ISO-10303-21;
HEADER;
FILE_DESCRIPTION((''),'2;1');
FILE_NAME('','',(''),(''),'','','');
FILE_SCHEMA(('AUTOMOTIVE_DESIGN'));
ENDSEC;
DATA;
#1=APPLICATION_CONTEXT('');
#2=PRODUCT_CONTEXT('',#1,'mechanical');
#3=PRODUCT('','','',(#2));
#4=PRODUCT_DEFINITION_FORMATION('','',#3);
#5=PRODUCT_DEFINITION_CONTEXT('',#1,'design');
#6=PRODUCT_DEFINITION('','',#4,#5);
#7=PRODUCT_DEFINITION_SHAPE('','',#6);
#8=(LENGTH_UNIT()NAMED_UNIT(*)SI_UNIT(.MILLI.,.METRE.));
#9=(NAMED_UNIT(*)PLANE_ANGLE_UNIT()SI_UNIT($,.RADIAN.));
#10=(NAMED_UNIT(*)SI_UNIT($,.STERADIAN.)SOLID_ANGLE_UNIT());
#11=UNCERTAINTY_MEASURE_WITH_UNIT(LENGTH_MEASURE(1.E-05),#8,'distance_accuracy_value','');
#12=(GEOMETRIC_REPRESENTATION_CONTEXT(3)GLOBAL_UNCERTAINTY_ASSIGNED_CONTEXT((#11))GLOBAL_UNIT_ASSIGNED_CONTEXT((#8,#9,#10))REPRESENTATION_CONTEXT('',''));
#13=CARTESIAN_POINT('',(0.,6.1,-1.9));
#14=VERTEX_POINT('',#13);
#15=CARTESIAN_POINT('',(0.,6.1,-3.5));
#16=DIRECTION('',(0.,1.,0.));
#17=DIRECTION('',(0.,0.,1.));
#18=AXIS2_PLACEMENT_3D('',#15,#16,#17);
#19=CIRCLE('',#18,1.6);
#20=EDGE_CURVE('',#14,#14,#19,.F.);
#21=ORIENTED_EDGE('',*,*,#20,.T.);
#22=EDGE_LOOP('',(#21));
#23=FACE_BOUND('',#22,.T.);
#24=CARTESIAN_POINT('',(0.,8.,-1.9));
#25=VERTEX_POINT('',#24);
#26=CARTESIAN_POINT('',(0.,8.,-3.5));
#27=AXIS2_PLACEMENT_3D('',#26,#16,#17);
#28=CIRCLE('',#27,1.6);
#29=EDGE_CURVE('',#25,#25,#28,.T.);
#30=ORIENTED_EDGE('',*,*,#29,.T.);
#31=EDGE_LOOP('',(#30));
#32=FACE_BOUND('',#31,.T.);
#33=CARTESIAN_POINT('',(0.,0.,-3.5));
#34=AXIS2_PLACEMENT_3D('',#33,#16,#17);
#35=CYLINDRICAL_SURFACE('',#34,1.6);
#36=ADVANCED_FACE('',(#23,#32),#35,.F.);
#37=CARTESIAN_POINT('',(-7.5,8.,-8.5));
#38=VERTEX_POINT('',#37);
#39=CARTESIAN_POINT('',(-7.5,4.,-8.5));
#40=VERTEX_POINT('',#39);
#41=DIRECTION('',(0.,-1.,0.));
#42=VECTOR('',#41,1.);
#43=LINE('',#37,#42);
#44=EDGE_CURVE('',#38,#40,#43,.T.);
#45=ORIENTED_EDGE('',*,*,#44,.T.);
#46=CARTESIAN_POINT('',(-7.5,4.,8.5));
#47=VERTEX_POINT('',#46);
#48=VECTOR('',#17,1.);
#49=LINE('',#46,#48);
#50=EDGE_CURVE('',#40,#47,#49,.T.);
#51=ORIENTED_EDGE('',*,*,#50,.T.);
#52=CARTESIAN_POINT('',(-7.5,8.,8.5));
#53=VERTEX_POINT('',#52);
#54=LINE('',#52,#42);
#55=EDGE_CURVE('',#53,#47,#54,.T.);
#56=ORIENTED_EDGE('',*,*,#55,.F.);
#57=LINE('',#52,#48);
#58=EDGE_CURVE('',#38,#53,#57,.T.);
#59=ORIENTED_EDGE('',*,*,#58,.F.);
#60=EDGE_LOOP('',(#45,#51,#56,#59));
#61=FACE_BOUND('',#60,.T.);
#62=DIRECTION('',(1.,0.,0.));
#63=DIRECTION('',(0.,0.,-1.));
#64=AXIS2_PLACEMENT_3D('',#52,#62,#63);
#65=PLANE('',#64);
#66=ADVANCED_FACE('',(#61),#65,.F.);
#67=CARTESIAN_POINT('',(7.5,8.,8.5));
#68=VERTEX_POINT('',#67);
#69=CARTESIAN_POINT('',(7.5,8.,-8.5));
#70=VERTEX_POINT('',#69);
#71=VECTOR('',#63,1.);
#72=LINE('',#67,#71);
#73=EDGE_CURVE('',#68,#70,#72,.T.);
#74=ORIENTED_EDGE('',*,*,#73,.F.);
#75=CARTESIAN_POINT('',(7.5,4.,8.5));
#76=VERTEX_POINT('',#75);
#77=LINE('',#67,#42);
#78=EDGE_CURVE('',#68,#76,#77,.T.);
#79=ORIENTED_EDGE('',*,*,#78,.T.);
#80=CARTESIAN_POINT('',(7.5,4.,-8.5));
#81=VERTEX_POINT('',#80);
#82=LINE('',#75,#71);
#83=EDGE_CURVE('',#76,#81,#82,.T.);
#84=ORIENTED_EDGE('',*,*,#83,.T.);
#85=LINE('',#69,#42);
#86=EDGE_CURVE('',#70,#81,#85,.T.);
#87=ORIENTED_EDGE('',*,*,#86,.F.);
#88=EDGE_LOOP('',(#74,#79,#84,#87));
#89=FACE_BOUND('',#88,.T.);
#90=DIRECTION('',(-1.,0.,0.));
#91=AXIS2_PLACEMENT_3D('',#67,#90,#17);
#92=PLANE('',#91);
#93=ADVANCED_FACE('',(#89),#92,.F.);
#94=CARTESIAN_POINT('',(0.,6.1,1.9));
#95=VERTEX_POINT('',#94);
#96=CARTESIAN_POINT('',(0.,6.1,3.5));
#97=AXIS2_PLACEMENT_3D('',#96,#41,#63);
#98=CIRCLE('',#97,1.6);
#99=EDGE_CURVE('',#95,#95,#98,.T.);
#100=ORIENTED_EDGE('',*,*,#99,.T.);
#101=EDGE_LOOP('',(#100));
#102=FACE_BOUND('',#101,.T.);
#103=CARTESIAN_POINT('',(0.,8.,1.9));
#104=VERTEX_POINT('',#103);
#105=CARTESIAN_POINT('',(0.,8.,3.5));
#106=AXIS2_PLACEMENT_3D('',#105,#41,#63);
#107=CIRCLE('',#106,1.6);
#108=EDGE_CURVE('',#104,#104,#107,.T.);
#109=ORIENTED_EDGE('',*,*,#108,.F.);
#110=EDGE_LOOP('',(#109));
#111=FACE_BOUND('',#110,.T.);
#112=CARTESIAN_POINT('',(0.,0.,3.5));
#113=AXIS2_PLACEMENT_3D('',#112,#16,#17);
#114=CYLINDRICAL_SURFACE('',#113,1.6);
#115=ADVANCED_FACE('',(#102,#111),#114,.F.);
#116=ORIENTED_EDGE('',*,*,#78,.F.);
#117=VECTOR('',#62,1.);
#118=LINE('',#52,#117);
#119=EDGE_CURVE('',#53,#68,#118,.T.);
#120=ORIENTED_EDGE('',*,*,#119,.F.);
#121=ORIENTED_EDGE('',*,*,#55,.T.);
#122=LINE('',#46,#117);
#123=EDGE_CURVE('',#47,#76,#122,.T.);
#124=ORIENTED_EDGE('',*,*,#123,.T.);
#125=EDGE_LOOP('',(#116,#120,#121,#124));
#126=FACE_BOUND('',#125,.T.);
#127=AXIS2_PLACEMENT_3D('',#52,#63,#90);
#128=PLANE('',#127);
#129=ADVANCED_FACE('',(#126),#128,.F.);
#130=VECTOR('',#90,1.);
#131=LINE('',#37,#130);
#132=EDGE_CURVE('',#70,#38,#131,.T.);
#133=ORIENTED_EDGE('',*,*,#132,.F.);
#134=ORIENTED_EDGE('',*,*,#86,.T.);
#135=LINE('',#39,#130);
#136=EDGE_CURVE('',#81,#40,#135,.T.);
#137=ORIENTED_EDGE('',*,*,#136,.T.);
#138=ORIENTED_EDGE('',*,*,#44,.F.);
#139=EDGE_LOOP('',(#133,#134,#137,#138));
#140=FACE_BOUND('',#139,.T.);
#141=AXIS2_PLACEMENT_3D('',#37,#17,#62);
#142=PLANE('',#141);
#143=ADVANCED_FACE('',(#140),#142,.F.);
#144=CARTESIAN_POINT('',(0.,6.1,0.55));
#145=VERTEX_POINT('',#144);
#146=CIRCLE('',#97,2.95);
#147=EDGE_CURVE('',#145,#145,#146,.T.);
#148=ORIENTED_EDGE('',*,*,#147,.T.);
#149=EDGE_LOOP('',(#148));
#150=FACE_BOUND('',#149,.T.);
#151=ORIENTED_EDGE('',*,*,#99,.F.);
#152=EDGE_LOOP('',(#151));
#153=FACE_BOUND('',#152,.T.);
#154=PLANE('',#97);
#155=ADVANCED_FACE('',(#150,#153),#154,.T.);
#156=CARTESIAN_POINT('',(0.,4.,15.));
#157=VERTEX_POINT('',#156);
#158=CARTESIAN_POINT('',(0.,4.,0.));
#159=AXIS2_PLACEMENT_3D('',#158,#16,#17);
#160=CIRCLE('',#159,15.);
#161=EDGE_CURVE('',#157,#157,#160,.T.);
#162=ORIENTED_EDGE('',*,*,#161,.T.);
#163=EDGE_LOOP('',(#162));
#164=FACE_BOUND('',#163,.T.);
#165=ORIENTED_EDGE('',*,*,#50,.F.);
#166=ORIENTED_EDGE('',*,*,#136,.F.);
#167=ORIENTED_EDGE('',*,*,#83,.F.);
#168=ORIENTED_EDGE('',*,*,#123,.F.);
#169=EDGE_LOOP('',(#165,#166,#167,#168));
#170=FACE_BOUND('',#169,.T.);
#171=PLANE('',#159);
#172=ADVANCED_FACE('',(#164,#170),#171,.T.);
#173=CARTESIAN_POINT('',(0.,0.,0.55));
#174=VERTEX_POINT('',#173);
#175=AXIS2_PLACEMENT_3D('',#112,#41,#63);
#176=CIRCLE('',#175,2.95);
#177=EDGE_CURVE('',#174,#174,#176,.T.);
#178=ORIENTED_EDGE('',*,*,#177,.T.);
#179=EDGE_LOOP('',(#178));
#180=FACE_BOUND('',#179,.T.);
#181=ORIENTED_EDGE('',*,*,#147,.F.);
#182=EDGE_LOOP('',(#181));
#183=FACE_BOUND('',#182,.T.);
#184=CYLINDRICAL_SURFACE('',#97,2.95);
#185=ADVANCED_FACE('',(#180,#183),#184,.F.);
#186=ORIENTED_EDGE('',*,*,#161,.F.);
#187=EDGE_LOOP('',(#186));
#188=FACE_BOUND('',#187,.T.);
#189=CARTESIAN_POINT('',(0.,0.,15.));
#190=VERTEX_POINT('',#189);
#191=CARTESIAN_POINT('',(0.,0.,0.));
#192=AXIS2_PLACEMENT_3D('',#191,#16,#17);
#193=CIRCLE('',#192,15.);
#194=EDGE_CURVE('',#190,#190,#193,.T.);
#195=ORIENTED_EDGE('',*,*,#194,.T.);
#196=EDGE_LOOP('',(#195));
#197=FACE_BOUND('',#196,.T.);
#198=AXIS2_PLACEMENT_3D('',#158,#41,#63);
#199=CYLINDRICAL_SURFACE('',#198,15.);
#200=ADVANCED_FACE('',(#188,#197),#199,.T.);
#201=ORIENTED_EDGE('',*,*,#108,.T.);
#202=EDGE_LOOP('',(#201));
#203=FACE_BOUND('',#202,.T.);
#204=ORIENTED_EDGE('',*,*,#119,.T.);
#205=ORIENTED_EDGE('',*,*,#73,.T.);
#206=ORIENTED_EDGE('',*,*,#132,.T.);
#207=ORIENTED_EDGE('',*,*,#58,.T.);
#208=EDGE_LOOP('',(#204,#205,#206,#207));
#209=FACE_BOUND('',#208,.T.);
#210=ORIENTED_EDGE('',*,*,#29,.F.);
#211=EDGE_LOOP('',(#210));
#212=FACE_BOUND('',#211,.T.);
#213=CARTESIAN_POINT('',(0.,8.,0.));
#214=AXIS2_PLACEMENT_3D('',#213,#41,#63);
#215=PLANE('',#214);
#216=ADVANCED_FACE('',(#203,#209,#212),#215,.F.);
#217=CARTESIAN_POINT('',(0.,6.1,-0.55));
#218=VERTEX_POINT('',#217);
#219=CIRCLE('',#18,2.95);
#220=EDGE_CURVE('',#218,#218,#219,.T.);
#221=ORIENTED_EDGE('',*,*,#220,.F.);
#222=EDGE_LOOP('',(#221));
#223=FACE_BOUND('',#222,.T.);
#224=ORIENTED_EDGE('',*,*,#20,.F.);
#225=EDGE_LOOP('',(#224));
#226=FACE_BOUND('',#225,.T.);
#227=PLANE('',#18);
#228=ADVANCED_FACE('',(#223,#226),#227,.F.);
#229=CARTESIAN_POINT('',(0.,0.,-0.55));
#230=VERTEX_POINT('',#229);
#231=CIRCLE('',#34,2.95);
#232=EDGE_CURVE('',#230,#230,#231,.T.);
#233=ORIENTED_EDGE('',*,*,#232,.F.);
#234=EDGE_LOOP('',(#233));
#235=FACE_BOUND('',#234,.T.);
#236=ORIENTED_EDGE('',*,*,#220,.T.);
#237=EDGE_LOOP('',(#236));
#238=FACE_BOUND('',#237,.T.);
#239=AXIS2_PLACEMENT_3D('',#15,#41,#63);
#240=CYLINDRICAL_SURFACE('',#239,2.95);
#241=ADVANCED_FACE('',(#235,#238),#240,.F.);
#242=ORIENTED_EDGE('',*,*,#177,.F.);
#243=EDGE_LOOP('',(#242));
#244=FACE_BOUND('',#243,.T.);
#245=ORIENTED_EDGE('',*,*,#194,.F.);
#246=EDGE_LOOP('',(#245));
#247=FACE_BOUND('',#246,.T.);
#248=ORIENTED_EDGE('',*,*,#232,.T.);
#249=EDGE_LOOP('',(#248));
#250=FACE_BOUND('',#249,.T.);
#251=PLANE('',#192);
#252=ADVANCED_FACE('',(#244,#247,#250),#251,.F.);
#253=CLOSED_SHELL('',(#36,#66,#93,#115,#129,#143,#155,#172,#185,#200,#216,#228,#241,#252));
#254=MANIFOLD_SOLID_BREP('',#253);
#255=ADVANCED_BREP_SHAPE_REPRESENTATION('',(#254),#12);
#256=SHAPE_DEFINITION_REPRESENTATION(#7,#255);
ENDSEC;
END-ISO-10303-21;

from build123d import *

# Parameters (mm, degrees)
SKETCH2_R           = 15
BOSS_EXTRUDE1_DEPTH = 4
SKETCH3_W           = 15
SKETCH3_H           = 17
BOSS_EXTRUDE2_DEPTH = 4
SKETCH4_R           = 1.6
CUT_EXTRUDE1_DEPTH  = 23.671568098
SKETCH5_R           = 2.95
CUT_EXTRUDE2_DEPTH  = 6.1


with BuildPart() as part:
    # Sketch2 → Boss-Extrude1 (new body)
    with BuildSketch(Plane(origin=(0, 0, 0), x_dir=(1, 0, 0), z_dir=(0, 1, 0))):
        with Locations(Location((0, 0, 0), (0, 0, 270))):
            Circle(SKETCH2_R)
    extrude(amount=BOSS_EXTRUDE1_DEPTH)

    # Sketch3 → Boss-Extrude2 (add)
    with BuildSketch(Plane(origin=(0, 4, 0), x_dir=(1, 0, 0), z_dir=(0, 1, 0))):
        Rectangle(SKETCH3_W, SKETCH3_H)
    extrude(amount=BOSS_EXTRUDE2_DEPTH)

    # Sketch4 → Cut-Extrude1 (cut, through all)
    with BuildSketch(Plane(origin=(0, 8, 0), x_dir=(1, 0, 0), z_dir=(0, 1, 0))):
        with Locations(Location((0, 3.5, 0), (0, 0, 270))):
            Circle(SKETCH4_R)
        with Locations(Location((0, -3.5, 0), (0, 0, 90))):
            Circle(SKETCH4_R)
    extrude(amount=-CUT_EXTRUDE1_DEPTH, mode=Mode.SUBTRACT)

    # Sketch5 → Cut-Extrude2 (cut)
    with BuildSketch(Plane.XZ):
        with Locations(Location((0, 3.5, 0), (0, 0, 270))):
            Circle(SKETCH5_R)
        with Locations(Location((0, -3.5, 0), (0, 0, 90))):
            Circle(SKETCH5_R)
    extrude(amount=-CUT_EXTRUDE2_DEPTH, mode=Mode.SUBTRACT)


solid = part.part
